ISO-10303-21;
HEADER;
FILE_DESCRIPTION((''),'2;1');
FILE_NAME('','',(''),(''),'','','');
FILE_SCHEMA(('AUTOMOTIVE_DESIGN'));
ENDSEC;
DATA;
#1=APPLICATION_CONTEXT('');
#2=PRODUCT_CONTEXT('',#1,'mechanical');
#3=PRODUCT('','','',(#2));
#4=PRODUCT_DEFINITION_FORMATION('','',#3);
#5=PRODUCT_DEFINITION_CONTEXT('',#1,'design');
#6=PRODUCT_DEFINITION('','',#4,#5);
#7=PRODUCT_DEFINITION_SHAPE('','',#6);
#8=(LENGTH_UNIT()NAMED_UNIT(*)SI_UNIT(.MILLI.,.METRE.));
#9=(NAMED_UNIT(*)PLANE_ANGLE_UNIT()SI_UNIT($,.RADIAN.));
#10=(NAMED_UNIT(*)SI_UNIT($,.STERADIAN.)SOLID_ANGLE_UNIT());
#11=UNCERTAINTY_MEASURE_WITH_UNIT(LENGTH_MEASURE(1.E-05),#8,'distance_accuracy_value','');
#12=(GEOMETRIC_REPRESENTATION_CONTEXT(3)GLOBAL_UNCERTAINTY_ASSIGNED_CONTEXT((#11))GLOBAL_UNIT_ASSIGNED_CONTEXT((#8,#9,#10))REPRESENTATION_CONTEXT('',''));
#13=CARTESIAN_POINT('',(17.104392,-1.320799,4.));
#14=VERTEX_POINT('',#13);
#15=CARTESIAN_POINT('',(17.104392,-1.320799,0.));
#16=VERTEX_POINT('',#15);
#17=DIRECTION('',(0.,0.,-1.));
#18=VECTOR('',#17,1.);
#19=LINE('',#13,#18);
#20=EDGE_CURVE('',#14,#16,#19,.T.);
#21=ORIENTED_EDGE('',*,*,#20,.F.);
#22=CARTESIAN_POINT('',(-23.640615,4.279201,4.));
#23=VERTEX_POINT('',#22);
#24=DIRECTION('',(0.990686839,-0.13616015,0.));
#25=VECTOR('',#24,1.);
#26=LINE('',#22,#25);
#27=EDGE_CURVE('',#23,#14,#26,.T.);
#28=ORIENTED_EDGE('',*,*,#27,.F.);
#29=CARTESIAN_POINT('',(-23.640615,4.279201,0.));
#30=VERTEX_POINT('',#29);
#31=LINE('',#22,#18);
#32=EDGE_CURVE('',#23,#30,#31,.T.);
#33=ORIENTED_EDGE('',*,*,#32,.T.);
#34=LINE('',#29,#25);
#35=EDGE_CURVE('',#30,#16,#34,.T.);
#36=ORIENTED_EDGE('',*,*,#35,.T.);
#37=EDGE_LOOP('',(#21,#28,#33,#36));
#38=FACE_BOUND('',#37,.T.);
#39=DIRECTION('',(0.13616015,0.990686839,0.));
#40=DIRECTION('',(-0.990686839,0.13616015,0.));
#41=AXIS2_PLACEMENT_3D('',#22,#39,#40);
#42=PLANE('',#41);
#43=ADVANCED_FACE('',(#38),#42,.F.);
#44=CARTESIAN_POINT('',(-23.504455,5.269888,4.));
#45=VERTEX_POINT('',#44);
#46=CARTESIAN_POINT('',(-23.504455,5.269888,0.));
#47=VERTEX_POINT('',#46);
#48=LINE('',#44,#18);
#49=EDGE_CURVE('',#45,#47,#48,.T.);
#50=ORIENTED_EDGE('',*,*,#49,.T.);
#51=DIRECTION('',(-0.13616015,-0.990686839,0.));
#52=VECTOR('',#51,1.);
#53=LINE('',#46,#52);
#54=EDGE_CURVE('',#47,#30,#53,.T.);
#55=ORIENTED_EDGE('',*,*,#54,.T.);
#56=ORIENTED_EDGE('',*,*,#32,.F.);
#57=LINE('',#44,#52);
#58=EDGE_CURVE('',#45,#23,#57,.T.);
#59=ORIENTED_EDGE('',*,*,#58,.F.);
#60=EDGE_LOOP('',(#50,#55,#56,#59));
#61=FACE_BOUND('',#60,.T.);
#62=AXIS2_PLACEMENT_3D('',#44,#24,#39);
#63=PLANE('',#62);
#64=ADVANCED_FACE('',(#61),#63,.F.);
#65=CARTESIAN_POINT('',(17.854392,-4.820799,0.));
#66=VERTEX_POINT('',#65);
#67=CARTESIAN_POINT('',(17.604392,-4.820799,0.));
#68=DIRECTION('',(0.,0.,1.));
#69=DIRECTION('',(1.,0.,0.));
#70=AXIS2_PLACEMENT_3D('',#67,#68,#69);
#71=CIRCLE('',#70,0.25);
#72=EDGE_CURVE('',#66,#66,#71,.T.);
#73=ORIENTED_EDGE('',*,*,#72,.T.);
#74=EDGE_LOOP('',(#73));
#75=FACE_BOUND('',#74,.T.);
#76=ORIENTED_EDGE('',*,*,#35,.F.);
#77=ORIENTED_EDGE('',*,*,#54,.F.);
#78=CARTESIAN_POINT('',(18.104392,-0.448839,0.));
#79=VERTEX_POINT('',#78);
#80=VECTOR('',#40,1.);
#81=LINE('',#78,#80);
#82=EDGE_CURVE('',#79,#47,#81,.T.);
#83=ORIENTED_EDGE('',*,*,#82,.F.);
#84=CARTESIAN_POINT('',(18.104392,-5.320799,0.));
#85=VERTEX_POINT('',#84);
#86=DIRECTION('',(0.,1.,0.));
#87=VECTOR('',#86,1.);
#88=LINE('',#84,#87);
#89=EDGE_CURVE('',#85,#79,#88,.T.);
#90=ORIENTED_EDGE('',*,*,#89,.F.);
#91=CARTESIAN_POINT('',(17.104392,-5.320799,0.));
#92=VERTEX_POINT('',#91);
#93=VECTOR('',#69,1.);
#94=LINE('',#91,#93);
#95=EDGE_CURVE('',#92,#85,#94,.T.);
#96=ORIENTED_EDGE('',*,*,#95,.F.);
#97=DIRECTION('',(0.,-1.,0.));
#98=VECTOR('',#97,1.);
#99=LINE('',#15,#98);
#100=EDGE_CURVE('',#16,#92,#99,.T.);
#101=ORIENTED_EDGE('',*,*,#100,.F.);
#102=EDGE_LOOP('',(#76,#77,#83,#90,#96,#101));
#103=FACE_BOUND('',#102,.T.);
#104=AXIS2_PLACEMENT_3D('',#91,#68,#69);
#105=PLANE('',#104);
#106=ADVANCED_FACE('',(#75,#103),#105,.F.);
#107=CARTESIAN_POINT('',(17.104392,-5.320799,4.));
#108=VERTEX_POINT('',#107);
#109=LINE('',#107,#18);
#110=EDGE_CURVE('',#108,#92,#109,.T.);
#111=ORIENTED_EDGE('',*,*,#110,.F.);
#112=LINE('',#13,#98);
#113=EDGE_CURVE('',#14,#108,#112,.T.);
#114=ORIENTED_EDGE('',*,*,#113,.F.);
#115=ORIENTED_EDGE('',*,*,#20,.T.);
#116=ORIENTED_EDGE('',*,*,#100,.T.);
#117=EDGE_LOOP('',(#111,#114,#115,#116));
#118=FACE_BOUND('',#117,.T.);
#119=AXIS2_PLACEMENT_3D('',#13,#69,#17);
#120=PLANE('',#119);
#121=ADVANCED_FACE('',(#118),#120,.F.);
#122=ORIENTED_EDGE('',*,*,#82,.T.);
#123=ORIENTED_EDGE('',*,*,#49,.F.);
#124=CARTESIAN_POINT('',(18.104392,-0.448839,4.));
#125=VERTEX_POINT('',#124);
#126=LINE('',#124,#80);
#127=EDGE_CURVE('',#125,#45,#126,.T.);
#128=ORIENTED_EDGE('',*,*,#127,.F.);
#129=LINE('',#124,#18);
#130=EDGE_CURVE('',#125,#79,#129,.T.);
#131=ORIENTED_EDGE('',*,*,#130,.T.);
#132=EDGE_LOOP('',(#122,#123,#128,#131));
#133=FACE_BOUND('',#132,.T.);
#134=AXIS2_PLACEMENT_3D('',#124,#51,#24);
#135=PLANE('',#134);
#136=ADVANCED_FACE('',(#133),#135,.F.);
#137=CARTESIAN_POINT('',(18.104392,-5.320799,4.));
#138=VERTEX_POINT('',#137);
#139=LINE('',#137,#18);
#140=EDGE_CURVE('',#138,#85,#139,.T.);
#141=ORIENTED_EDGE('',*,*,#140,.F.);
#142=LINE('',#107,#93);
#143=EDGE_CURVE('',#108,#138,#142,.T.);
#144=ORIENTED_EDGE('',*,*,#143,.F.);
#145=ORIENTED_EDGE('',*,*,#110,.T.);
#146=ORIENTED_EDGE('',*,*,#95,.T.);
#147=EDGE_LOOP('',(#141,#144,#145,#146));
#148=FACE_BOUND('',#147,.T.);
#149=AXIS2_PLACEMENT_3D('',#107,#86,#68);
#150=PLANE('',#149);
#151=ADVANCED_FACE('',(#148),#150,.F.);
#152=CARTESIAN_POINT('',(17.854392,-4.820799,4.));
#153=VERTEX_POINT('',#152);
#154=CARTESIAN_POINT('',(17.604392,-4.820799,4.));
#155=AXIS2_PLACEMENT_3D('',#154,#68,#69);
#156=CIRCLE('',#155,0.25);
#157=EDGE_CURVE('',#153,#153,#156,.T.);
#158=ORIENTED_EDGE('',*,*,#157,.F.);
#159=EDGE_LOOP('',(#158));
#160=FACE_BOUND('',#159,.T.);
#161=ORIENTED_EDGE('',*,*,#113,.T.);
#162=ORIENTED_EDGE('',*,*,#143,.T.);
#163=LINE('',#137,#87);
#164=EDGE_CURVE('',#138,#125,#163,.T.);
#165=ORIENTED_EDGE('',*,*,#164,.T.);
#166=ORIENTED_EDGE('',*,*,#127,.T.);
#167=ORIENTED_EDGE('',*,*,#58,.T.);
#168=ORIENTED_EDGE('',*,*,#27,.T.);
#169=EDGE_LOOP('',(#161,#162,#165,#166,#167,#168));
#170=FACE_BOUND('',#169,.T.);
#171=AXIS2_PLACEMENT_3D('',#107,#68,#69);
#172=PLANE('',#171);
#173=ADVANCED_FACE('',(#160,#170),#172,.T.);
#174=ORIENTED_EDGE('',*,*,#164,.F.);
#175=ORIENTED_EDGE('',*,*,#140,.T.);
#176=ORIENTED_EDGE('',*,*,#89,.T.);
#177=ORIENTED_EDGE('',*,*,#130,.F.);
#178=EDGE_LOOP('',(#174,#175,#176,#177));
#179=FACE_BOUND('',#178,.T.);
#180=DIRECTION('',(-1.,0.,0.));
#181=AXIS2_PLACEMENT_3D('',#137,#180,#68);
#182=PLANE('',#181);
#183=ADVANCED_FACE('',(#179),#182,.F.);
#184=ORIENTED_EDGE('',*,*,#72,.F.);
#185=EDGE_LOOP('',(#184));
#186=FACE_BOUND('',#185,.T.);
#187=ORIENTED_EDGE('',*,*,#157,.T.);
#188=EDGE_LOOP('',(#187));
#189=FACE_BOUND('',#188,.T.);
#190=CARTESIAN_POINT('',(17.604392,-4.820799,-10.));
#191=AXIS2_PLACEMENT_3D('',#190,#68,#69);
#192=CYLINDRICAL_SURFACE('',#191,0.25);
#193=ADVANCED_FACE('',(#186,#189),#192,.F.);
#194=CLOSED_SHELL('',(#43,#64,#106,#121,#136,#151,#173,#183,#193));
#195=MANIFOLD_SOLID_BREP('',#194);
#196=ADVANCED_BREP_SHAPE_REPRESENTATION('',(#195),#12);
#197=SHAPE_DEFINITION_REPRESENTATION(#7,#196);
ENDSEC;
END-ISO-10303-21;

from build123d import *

# Parameters (mm, degrees)
EXTRUDE1_DEPTH = 4
SKETCH2_R      = 0.25
EXTRUDE2_DEPTH = 14


with BuildPart() as part:
    # Sketch1 → Extrude1 (new body)
    with BuildSketch(Plane.XY):
        Polygon((17.10439198, -5.320799179), (18.10439198, -5.320799179), (18.10439198, -0.44883862), (-23.504455273, 5.269887661), (-23.640615422, 4.279200821), (17.10439198, -1.320799179), align=None)
    extrude(amount=EXTRUDE1_DEPTH)

    # Sketch2 → Extrude2 (cut)
    with BuildSketch(Plane.XY.offset(4)):
        with Locations((17.60439198, -4.820799179)):
            Circle(SKETCH2_R)
    extrude(amount=-EXTRUDE2_DEPTH, mode=Mode.SUBTRACT)


solid = part.part
